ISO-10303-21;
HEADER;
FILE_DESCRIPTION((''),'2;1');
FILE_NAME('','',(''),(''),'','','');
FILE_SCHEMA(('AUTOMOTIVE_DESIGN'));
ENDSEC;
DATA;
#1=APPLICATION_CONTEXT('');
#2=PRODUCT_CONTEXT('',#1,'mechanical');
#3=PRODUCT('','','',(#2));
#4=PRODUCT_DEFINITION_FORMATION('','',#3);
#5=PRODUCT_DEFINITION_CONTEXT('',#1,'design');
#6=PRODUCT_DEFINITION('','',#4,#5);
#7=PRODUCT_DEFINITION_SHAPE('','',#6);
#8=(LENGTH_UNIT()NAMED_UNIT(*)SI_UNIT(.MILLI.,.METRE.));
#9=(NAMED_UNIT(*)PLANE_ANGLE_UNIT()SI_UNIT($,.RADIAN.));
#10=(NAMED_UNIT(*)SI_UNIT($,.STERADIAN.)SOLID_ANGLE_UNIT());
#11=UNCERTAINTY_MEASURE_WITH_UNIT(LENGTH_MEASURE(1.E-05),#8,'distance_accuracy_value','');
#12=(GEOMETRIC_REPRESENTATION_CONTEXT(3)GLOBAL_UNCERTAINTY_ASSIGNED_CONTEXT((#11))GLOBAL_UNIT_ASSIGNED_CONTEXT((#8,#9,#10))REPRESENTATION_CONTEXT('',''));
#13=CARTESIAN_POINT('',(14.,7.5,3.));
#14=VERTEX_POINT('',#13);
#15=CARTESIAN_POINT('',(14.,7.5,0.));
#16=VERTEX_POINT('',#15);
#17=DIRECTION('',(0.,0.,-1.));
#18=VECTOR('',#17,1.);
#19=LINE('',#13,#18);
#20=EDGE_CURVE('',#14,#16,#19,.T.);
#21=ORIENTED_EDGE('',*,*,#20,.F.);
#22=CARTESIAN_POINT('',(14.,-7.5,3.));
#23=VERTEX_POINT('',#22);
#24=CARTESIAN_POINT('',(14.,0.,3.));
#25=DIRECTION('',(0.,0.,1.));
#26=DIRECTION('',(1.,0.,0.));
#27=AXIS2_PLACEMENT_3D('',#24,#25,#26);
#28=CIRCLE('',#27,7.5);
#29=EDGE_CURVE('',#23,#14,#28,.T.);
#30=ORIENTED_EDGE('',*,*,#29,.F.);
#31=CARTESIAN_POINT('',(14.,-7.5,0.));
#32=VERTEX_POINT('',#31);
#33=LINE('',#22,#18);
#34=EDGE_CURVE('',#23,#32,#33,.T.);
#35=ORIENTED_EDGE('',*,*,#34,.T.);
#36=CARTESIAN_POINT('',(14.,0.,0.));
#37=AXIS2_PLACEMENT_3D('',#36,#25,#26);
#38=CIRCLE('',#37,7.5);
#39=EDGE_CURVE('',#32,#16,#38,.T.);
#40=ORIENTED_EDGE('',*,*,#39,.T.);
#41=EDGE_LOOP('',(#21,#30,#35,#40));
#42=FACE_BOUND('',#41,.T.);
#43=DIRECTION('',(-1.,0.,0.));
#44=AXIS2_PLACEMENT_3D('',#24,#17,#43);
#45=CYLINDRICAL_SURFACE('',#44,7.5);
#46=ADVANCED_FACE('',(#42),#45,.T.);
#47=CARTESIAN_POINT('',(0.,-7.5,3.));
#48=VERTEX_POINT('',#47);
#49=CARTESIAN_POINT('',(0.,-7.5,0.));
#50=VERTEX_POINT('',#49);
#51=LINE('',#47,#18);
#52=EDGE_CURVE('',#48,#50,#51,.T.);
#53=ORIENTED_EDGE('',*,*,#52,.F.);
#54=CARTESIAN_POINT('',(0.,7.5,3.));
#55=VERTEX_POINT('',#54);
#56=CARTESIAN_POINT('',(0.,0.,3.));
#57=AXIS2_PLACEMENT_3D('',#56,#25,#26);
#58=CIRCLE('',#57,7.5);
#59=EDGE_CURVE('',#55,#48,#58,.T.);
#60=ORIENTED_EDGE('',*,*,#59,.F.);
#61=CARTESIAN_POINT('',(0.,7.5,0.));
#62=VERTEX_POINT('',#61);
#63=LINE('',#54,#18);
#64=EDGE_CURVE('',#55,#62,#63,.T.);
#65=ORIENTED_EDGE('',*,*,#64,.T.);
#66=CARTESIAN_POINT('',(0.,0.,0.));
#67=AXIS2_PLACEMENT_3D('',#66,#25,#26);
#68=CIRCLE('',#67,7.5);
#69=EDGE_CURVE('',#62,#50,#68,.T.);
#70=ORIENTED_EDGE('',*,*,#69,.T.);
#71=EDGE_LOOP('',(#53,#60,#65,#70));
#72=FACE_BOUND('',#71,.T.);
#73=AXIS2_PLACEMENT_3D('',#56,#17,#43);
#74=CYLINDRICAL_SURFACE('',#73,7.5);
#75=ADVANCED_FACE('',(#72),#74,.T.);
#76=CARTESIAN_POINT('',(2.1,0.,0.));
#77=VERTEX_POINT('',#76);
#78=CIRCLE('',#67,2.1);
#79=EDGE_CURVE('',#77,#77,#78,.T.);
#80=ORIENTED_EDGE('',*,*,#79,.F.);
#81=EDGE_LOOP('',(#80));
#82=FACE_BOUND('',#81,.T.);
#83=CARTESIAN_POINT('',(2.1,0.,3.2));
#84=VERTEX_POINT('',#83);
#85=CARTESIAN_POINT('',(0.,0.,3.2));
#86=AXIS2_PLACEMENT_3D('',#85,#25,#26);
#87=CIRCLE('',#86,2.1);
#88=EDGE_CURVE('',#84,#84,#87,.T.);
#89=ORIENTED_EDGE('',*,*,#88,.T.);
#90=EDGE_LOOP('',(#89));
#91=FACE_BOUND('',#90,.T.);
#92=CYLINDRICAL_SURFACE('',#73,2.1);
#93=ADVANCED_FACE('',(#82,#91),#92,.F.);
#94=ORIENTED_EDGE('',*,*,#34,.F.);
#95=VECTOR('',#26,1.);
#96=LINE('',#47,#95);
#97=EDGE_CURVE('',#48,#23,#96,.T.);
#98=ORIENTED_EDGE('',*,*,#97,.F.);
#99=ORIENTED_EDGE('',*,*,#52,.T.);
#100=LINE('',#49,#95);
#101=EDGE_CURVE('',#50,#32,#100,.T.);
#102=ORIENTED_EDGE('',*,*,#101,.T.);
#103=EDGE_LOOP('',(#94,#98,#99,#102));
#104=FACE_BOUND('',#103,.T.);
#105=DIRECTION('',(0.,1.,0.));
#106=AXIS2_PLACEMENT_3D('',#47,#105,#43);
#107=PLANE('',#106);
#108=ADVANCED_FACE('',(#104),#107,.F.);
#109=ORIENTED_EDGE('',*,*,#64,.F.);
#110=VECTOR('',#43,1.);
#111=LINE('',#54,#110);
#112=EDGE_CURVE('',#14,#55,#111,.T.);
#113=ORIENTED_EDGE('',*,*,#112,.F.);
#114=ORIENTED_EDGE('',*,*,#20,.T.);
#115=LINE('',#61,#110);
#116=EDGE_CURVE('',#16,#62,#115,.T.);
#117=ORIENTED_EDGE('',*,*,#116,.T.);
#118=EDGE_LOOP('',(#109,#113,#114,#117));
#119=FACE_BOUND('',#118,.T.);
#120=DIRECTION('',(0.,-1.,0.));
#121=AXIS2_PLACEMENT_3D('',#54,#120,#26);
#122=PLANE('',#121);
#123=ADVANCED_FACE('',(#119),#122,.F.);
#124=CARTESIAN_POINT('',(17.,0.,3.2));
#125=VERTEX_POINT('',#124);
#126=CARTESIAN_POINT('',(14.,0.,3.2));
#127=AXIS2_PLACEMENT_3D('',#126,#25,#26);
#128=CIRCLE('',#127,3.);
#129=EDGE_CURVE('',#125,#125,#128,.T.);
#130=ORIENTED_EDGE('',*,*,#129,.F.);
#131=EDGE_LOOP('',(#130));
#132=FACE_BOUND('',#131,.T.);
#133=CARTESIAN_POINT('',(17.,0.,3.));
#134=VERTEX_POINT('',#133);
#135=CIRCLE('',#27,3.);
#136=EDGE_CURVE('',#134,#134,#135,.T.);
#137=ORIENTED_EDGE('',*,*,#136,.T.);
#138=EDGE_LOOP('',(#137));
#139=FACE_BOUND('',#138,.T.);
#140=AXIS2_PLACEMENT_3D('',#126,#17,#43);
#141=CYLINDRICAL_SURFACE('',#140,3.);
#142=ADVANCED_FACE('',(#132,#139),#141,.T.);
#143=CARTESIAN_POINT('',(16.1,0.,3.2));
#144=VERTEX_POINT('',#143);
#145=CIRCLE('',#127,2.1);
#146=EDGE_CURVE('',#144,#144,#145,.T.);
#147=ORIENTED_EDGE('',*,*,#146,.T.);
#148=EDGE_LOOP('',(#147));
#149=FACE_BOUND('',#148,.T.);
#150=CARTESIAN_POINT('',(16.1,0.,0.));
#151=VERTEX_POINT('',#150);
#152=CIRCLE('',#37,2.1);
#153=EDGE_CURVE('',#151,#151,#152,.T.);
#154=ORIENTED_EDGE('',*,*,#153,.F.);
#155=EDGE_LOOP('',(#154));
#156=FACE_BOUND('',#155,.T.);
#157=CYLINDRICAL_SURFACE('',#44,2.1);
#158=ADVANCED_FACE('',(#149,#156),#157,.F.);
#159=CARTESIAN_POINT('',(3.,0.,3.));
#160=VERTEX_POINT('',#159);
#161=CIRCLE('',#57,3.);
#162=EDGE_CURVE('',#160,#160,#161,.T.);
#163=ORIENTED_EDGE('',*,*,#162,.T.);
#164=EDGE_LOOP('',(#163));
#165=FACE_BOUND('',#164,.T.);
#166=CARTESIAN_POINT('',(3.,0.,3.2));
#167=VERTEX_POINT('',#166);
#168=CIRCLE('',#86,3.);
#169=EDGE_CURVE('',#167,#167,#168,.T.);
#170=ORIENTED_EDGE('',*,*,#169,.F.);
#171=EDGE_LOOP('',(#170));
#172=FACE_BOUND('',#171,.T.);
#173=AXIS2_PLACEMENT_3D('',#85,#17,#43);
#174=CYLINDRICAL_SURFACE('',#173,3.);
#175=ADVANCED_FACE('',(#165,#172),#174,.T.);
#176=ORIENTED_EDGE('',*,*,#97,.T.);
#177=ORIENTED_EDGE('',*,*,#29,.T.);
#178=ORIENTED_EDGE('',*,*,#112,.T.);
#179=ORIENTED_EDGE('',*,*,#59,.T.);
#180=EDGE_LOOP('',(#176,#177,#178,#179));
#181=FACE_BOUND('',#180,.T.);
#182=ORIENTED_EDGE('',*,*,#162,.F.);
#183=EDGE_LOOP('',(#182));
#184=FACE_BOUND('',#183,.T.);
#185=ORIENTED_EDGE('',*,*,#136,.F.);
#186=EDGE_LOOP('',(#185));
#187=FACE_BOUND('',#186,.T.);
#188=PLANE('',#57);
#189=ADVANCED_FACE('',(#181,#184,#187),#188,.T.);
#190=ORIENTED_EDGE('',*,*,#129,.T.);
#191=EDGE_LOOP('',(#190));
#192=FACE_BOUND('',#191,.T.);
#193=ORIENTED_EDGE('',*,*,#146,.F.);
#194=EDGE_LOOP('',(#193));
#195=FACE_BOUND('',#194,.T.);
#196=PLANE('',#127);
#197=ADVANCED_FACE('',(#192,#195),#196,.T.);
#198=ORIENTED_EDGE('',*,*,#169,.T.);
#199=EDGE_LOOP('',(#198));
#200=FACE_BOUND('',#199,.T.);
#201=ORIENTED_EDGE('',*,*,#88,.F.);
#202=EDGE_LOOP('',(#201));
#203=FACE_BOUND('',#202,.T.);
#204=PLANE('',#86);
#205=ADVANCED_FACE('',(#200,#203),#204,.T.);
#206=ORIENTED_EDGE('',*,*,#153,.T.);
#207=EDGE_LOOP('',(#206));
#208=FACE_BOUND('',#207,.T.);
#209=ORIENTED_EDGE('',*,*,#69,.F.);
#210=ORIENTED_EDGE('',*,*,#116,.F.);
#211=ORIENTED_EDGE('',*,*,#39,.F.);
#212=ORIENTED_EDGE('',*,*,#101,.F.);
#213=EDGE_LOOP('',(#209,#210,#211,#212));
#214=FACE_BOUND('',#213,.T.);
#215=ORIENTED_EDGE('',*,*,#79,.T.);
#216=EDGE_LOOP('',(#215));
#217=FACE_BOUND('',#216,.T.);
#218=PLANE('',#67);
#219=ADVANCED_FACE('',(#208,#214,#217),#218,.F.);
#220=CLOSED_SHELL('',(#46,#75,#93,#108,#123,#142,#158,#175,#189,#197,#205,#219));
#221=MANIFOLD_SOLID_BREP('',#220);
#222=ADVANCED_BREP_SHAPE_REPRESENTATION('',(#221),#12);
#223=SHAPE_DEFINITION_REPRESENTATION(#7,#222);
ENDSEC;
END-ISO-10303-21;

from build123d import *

# Parameters (mm, degrees)
SKETCH_1_R      = 2.1
EXTRUDE_1_DEPTH = 3
SKETCH_2_R      = 3
SKETCH_2_R_2    = 2.1
EXTRUDE_2_DEPTH = 0.2


with BuildPart() as part:
    # 草图1 → 凸台-拉伸1 (new body)
    with BuildSketch(Plane.XY):
        with BuildLine():
            Line((0, 7.5), (14, 7.5))
            ThreePointArc((14, 7.5), (21.5, 0), (14, -7.5))
            Line((14, -7.5), (0, -7.5))
            ThreePointArc((0, -7.5), (-7.5, 0), (0, 7.5))
        make_face()
        Circle(SKETCH_1_R, mode=Mode.SUBTRACT)
        with Locations((14, 0)):
            Circle(SKETCH_1_R, mode=Mode.SUBTRACT)
    extrude(amount=EXTRUDE_1_DEPTH)

    # 草图2 → 凸台-拉伸2 (add)
    # profile 1 of 2: a face of its own
    with BuildSketch(Plane.XY.offset(3)):
        Circle(SKETCH_2_R)
        Circle(SKETCH_2_R_2, mode=Mode.SUBTRACT)
    # profile 2 of 2: a face of its own
    with BuildSketch(Plane.XY.offset(3)):
        with Locations((14, 0)):
            Circle(SKETCH_2_R)
        with Locations((14, 0)):
            Circle(SKETCH_2_R_2, mode=Mode.SUBTRACT)
    extrude(amount=EXTRUDE_2_DEPTH)


solid = part.part
